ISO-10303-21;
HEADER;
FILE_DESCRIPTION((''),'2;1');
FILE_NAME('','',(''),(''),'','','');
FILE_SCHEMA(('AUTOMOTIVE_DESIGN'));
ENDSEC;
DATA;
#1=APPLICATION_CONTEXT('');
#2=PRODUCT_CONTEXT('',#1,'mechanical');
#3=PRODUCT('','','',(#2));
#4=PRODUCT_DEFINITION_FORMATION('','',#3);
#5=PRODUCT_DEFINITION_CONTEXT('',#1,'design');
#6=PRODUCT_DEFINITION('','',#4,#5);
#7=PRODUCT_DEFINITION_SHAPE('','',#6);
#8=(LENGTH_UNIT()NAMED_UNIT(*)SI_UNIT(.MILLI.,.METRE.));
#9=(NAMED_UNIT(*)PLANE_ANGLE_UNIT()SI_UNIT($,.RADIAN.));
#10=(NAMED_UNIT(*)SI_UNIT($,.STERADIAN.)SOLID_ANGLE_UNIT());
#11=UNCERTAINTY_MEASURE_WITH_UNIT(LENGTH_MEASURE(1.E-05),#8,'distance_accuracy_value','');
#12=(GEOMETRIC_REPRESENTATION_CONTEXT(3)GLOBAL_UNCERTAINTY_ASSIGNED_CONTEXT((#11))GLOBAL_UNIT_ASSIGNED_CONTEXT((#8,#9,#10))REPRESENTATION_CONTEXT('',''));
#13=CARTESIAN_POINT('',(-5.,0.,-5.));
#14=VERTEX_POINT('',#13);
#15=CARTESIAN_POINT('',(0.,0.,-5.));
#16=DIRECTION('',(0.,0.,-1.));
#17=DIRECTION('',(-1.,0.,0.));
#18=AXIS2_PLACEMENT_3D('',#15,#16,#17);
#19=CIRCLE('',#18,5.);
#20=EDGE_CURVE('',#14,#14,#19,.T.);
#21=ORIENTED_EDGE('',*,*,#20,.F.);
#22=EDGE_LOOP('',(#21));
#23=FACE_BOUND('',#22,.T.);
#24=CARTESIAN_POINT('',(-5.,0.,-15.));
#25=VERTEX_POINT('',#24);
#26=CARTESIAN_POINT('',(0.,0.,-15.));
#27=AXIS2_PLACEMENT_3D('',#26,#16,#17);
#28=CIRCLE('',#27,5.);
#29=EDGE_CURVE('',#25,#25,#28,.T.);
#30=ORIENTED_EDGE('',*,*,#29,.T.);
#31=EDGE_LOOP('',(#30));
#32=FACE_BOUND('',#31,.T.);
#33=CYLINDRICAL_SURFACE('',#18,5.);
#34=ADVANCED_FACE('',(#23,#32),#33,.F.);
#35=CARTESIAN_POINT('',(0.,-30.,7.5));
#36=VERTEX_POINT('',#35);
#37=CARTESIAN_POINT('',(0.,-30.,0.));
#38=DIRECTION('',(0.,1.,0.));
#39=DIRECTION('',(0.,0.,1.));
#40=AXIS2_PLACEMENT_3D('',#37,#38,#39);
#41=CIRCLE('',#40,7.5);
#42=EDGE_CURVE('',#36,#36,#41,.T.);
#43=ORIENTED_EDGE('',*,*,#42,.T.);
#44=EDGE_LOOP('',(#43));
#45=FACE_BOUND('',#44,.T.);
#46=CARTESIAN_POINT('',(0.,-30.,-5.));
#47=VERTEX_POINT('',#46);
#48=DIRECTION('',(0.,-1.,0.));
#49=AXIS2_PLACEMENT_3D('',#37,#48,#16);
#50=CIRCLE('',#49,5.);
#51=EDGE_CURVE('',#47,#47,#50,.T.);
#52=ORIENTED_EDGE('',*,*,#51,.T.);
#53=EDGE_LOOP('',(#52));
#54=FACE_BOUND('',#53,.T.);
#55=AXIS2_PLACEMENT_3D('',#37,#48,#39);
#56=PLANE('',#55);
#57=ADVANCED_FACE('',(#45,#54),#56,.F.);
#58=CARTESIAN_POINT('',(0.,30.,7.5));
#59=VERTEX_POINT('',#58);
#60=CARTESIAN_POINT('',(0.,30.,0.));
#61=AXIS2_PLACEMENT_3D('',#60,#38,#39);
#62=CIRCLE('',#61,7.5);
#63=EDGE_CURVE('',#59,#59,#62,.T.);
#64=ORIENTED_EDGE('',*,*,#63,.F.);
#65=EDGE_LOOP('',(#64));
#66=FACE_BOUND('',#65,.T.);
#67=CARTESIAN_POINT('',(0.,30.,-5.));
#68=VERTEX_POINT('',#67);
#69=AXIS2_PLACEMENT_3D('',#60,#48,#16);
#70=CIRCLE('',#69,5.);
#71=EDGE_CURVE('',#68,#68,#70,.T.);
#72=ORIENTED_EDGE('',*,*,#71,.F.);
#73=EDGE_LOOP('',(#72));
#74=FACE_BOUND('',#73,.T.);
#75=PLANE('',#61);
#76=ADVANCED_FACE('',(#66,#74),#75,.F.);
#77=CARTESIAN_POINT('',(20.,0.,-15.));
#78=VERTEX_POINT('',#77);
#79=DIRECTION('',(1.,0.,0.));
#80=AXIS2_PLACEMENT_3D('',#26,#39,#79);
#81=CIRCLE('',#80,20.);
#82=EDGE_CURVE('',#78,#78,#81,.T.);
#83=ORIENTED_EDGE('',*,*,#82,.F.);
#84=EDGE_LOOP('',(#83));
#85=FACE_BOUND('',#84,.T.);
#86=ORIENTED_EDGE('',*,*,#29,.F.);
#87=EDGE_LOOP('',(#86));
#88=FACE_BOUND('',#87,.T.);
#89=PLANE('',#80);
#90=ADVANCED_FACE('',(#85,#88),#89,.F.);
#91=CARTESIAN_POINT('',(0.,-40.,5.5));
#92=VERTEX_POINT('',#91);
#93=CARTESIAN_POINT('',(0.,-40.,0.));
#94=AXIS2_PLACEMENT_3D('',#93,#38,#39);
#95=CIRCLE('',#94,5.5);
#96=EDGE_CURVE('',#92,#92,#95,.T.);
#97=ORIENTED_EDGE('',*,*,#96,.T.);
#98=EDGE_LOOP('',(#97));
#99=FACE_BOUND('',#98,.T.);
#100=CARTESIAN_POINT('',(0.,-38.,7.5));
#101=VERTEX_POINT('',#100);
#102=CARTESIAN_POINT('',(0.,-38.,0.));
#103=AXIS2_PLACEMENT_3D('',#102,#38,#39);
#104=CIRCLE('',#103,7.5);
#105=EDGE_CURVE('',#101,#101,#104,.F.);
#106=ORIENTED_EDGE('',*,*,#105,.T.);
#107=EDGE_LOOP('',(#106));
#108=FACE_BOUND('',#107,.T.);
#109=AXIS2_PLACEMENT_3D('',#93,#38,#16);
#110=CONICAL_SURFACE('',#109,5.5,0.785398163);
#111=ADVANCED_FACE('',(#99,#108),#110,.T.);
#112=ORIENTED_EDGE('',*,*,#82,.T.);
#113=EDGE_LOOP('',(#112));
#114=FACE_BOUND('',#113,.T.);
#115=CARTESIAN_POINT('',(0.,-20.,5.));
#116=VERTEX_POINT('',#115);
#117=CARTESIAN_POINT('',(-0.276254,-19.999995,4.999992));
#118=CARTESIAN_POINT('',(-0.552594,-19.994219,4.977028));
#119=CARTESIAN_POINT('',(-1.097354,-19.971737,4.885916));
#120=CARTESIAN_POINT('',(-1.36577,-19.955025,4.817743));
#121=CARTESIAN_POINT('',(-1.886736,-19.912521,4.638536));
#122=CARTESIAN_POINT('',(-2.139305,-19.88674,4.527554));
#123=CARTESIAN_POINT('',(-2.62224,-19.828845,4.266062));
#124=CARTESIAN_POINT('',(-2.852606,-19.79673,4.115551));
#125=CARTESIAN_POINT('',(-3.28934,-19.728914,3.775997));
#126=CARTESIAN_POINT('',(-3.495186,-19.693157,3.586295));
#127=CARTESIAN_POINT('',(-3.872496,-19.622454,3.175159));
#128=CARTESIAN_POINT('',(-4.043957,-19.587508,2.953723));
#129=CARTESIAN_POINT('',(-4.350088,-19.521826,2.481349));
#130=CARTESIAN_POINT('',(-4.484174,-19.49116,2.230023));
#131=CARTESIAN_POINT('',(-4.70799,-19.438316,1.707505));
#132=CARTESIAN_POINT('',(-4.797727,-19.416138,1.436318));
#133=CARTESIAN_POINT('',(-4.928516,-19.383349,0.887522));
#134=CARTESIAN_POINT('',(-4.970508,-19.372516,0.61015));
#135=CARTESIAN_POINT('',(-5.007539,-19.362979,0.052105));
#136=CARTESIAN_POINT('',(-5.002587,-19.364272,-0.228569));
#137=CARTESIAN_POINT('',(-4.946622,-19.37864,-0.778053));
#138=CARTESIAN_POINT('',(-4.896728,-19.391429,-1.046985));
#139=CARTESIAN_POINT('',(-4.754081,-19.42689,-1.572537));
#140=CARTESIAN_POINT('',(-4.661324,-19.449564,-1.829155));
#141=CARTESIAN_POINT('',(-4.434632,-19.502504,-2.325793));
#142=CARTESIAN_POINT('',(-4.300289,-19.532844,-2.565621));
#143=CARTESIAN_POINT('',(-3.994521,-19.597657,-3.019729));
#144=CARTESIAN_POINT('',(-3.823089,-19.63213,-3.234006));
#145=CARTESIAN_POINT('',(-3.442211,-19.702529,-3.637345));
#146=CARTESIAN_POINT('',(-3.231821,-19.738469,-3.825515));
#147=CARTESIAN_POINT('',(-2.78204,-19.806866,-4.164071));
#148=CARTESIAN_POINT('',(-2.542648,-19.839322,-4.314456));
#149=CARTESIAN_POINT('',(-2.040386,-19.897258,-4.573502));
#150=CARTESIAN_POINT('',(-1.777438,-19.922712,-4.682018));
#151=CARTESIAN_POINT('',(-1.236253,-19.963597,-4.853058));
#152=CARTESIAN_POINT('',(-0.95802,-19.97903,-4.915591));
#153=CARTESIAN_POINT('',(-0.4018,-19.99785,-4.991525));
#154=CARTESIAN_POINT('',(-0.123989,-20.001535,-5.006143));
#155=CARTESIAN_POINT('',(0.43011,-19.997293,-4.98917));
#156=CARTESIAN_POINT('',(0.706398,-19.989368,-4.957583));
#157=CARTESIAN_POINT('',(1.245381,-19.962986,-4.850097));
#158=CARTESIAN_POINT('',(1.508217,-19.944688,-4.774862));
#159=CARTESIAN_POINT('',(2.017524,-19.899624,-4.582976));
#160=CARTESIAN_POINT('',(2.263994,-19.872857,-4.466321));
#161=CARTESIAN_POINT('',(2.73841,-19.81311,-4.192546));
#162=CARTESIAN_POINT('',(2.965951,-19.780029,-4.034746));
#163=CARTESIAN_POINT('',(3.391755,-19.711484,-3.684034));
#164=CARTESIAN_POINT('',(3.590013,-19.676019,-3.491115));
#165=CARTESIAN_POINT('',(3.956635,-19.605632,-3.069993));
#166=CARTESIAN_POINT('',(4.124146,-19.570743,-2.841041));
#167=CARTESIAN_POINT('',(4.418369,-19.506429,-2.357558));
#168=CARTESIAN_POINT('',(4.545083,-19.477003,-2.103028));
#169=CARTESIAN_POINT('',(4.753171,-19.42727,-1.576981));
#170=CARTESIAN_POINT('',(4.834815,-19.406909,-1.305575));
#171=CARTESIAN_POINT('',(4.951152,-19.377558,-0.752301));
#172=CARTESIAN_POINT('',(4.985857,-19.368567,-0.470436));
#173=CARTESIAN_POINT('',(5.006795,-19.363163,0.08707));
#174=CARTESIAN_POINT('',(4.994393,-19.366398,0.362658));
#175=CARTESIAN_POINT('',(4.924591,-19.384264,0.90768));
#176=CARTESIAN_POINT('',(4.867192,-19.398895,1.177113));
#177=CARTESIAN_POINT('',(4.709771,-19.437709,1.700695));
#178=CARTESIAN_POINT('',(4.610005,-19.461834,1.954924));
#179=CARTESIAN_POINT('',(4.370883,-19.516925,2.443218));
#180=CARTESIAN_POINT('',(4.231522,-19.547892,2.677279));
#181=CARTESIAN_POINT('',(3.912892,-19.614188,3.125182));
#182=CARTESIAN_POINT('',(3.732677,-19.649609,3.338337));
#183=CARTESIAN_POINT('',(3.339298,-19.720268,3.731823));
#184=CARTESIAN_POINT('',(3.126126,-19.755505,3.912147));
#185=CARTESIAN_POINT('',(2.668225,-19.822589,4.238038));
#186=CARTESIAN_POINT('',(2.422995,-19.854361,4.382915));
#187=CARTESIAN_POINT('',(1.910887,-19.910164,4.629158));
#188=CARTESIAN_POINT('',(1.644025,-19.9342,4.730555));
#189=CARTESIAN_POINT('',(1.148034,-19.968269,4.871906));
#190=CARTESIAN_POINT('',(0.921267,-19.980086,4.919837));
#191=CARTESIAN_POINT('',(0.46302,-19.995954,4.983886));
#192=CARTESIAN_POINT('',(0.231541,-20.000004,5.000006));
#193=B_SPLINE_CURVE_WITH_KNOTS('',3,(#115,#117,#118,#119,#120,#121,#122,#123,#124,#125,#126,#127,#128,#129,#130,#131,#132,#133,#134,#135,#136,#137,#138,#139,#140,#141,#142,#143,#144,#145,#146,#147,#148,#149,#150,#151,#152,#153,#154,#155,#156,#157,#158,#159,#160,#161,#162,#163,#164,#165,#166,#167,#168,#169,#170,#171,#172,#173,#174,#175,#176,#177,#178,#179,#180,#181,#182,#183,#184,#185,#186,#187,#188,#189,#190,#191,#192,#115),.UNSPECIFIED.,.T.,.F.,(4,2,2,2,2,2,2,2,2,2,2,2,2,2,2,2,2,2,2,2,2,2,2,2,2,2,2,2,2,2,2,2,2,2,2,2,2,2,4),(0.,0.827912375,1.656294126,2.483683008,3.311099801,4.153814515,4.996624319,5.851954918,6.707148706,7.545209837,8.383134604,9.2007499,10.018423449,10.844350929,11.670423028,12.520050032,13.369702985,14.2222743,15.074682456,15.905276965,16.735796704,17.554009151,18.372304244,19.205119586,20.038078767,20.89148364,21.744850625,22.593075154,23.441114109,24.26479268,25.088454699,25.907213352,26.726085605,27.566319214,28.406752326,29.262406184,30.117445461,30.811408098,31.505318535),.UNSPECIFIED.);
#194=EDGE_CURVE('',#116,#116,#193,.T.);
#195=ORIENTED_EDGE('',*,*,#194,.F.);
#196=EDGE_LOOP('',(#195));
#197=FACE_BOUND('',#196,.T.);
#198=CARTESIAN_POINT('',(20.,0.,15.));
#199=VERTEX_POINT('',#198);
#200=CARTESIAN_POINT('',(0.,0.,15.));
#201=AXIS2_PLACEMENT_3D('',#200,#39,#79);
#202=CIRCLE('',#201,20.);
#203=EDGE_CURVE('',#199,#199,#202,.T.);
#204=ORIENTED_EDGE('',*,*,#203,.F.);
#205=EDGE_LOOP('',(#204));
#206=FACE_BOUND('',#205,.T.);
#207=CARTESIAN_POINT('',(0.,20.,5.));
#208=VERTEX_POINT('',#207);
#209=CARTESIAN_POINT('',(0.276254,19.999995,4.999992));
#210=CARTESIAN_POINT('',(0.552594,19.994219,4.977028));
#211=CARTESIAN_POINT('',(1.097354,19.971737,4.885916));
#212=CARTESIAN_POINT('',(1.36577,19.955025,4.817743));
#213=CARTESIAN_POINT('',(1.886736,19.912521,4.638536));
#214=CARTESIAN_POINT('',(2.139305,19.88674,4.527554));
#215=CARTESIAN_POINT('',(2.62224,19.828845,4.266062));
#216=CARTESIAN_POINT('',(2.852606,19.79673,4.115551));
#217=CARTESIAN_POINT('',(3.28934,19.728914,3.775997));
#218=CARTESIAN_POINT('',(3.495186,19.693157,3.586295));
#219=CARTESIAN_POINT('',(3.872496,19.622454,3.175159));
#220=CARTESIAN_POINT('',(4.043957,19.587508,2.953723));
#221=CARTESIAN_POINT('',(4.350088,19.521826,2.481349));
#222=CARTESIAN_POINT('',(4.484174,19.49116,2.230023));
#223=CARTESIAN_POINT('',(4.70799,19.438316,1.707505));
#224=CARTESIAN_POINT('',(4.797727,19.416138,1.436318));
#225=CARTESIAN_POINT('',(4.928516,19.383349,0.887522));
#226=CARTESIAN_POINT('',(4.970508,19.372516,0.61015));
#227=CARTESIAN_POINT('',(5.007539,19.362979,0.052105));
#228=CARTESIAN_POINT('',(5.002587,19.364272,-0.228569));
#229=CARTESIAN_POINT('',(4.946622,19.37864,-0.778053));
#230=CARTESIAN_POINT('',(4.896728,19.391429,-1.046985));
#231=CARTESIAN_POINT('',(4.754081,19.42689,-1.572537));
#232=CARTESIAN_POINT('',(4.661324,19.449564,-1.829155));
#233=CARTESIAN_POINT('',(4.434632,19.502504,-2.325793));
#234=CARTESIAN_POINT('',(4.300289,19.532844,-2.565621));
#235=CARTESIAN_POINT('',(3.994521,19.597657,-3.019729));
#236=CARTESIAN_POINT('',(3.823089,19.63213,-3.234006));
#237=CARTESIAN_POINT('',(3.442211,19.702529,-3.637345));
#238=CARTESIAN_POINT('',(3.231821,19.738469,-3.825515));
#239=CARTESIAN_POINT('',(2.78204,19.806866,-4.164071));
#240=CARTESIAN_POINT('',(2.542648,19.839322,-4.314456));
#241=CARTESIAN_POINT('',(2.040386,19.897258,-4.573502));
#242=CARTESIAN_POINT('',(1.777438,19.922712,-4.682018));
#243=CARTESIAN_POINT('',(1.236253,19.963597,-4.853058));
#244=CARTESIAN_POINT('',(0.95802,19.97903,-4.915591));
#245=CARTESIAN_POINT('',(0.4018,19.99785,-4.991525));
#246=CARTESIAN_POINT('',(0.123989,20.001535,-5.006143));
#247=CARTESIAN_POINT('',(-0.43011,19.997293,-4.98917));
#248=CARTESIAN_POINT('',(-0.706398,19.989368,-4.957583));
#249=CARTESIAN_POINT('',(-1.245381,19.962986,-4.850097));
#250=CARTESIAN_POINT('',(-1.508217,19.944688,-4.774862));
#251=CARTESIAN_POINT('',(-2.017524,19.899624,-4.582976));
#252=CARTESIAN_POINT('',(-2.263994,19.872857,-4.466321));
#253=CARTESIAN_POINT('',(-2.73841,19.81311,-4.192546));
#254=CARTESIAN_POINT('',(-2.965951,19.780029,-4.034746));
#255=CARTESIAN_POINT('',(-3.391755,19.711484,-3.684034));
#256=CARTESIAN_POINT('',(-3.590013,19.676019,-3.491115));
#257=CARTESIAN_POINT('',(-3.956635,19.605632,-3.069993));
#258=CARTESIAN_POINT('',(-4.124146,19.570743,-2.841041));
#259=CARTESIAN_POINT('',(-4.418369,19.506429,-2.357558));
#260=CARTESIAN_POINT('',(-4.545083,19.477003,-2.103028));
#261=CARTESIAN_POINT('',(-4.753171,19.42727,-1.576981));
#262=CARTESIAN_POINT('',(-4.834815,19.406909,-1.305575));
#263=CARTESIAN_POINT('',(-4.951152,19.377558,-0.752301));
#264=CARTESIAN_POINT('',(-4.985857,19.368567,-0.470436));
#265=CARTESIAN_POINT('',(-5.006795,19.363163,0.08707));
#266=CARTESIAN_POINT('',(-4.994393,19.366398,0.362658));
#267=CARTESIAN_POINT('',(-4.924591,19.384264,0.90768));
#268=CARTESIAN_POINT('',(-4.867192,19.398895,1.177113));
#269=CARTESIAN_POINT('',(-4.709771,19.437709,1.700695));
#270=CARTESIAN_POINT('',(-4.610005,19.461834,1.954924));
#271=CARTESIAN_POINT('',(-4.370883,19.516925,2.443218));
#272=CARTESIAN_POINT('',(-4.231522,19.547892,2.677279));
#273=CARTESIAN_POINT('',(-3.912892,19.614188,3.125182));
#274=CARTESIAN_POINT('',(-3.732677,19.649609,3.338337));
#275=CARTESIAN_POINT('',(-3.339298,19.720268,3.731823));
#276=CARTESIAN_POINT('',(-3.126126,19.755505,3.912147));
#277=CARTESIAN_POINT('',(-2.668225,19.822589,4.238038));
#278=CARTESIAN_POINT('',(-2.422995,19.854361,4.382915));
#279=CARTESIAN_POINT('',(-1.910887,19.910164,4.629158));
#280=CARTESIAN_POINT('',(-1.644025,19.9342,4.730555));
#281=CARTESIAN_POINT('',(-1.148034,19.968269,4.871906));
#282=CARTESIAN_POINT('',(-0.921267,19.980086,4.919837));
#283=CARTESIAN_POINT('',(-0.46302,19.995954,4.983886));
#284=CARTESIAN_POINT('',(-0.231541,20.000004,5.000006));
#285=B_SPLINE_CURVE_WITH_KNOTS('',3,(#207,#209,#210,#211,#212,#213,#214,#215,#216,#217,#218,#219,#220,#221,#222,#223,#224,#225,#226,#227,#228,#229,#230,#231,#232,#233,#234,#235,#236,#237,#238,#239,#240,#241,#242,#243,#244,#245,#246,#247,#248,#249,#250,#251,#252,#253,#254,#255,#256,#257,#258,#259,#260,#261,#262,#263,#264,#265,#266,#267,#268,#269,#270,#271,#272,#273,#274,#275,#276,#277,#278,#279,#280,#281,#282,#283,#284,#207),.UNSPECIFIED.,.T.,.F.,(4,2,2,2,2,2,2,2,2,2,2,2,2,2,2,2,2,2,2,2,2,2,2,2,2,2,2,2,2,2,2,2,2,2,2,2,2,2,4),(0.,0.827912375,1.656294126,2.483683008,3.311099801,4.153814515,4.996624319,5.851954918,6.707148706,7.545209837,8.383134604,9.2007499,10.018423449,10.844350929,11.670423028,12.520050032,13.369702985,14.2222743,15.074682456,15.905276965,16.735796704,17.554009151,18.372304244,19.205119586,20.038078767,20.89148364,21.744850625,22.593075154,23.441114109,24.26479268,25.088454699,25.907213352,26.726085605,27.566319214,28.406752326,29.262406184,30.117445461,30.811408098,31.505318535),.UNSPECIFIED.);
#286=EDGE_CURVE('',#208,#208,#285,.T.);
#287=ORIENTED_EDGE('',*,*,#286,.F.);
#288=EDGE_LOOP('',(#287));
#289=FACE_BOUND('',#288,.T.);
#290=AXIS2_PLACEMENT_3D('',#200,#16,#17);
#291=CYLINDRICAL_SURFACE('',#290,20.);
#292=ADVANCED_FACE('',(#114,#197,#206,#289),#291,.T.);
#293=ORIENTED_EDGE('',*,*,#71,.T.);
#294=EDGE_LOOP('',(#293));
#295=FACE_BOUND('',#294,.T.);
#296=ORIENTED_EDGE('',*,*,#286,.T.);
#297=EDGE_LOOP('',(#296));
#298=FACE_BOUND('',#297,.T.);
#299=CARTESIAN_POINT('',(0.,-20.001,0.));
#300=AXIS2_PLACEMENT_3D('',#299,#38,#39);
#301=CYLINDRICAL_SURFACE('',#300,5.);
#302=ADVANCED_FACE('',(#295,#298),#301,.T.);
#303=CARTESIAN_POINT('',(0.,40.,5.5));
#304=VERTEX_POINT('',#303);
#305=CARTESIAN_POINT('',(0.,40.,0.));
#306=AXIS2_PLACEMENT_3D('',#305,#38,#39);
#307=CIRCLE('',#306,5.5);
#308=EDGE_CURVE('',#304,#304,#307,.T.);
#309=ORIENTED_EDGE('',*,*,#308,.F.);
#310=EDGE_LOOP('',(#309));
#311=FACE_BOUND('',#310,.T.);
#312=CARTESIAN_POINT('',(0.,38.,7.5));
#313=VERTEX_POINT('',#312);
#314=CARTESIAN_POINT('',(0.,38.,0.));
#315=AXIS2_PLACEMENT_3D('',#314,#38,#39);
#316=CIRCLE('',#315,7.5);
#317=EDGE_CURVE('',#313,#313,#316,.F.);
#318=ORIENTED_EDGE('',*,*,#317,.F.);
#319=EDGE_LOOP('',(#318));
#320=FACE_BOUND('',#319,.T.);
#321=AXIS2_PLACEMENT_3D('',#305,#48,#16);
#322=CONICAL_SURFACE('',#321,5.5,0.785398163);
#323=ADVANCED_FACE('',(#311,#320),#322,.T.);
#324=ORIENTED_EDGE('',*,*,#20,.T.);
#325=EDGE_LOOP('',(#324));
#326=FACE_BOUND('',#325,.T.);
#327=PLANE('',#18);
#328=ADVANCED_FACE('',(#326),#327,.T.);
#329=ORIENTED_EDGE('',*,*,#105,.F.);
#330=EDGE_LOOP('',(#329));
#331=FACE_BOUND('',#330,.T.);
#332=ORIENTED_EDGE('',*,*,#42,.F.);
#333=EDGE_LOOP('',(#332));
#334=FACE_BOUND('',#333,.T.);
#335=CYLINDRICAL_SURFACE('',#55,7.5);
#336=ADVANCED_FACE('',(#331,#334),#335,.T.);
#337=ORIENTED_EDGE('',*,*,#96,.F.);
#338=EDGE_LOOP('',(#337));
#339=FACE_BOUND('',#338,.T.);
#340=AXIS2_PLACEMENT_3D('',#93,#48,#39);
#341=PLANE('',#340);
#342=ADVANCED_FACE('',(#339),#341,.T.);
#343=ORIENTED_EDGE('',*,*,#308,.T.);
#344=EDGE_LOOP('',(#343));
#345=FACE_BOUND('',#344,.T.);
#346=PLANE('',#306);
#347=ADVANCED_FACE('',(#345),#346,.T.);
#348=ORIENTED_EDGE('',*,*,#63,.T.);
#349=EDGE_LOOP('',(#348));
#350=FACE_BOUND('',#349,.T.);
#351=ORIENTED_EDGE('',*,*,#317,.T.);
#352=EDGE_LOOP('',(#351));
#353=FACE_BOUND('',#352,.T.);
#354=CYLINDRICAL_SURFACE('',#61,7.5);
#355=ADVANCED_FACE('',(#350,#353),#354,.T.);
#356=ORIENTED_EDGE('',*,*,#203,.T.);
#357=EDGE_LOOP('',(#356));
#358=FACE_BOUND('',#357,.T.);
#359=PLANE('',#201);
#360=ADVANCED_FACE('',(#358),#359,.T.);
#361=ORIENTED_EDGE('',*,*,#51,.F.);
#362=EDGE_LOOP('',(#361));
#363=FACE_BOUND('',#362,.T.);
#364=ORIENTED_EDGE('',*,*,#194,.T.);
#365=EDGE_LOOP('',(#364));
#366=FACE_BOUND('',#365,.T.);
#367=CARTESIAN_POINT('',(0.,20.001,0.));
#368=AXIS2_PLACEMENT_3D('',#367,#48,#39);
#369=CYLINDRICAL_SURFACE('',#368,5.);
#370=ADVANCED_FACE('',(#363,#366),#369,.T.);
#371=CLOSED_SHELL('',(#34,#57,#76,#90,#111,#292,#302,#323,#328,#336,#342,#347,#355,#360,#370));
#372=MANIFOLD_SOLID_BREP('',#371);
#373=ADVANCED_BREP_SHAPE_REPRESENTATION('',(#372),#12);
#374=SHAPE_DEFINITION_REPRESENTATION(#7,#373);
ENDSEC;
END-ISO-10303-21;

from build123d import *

# Parameters (mm, degrees)
SKETCH1_R                = 20
BOSS_EXTRUDE1_DEPTH      = 15
SKETCH2_R                = 7.5
BOSS_EXTRUDE2_DEPTH      = 10
BOSS_EXTRUDE3_REACH      = 57.902
BOSS_EXTRUDE3_END_RADIUS = 20
SKETCH3_R                = 5
CHAMFER1_SIZE            = 2
SKETCH4_R                = 5
CUT_EXTRUDE1_DEPTH       = 10


with BuildPart() as part:
    # Sketch1 → Boss-Extrude1 (new, symmetric)
    with BuildSketch(Plane.XY):
        Circle(SKETCH1_R)
    extrude(amount=BOSS_EXTRUDE1_DEPTH, both=True)



with BuildPart() as body_2:
    # Sketch2 → Boss-Extrude2 (new body)
    with BuildSketch(Plane(origin=(0, 40, 0), x_dir=(1, 0, 0), z_dir=(0, 1, 0))):
        with Locations(Location((0, 0, 0), (0, 0, 270))):
            Circle(SKETCH2_R)
    extrude(amount=-BOSS_EXTRUDE2_DEPTH)


with BuildPart() as part_1:
    add(part.part)

    add(body_2.part)  # Boss-Extrude3 merges body 2
    # Boss-Extrude3: up to this cylinder (the profile starts outside it)
    boss_extrude3_end = Plane(origin=(0, 0, 0), z_dir=(0, 0, -1)) * Cylinder(BOSS_EXTRUDE3_END_RADIUS, 156.804, mode=Mode.PRIVATE)
    # Sketch3 → Boss-Extrude3 (add, up to the surface)
    with BuildSketch(Plane.XZ.offset(-30), mode=Mode.PRIVATE) as boss_extrude3_sk1:
        with Locations(Location((0, 0, 0), (0, 0, 90))):
            Circle(SKETCH3_R)
    boss_extrude3_tool1 = extrude(boss_extrude3_sk1.sketch, amount=BOSS_EXTRUDE3_REACH, mode=Mode.PRIVATE) - boss_extrude3_end
    add(boss_extrude3_tool1.solids().sort_by_distance((0, 30, 0))[0])

    # Chamfer1
    chamfer1_edges = [part_1.edges().sort_by_distance(p)[0] for p in [
        (0, 40, -7.5),
    ]]
    chamfer(chamfer1_edges, length=CHAMFER1_SIZE)

    # Mirror21: part across plane


with BuildPart() as part_2:
    add(part_1.part)
    add(part_1.part.mirror(Plane.ZX))

    # Sketch4 → Cut-Extrude1 (cut)
    with BuildSketch(Plane(origin=(0, 0, -15), x_dir=(-1, 0, 0), z_dir=(0, 0, -1))):
        Circle(SKETCH4_R)
    extrude(amount=-CUT_EXTRUDE1_DEPTH, mode=Mode.SUBTRACT)


solid = part_2.part
